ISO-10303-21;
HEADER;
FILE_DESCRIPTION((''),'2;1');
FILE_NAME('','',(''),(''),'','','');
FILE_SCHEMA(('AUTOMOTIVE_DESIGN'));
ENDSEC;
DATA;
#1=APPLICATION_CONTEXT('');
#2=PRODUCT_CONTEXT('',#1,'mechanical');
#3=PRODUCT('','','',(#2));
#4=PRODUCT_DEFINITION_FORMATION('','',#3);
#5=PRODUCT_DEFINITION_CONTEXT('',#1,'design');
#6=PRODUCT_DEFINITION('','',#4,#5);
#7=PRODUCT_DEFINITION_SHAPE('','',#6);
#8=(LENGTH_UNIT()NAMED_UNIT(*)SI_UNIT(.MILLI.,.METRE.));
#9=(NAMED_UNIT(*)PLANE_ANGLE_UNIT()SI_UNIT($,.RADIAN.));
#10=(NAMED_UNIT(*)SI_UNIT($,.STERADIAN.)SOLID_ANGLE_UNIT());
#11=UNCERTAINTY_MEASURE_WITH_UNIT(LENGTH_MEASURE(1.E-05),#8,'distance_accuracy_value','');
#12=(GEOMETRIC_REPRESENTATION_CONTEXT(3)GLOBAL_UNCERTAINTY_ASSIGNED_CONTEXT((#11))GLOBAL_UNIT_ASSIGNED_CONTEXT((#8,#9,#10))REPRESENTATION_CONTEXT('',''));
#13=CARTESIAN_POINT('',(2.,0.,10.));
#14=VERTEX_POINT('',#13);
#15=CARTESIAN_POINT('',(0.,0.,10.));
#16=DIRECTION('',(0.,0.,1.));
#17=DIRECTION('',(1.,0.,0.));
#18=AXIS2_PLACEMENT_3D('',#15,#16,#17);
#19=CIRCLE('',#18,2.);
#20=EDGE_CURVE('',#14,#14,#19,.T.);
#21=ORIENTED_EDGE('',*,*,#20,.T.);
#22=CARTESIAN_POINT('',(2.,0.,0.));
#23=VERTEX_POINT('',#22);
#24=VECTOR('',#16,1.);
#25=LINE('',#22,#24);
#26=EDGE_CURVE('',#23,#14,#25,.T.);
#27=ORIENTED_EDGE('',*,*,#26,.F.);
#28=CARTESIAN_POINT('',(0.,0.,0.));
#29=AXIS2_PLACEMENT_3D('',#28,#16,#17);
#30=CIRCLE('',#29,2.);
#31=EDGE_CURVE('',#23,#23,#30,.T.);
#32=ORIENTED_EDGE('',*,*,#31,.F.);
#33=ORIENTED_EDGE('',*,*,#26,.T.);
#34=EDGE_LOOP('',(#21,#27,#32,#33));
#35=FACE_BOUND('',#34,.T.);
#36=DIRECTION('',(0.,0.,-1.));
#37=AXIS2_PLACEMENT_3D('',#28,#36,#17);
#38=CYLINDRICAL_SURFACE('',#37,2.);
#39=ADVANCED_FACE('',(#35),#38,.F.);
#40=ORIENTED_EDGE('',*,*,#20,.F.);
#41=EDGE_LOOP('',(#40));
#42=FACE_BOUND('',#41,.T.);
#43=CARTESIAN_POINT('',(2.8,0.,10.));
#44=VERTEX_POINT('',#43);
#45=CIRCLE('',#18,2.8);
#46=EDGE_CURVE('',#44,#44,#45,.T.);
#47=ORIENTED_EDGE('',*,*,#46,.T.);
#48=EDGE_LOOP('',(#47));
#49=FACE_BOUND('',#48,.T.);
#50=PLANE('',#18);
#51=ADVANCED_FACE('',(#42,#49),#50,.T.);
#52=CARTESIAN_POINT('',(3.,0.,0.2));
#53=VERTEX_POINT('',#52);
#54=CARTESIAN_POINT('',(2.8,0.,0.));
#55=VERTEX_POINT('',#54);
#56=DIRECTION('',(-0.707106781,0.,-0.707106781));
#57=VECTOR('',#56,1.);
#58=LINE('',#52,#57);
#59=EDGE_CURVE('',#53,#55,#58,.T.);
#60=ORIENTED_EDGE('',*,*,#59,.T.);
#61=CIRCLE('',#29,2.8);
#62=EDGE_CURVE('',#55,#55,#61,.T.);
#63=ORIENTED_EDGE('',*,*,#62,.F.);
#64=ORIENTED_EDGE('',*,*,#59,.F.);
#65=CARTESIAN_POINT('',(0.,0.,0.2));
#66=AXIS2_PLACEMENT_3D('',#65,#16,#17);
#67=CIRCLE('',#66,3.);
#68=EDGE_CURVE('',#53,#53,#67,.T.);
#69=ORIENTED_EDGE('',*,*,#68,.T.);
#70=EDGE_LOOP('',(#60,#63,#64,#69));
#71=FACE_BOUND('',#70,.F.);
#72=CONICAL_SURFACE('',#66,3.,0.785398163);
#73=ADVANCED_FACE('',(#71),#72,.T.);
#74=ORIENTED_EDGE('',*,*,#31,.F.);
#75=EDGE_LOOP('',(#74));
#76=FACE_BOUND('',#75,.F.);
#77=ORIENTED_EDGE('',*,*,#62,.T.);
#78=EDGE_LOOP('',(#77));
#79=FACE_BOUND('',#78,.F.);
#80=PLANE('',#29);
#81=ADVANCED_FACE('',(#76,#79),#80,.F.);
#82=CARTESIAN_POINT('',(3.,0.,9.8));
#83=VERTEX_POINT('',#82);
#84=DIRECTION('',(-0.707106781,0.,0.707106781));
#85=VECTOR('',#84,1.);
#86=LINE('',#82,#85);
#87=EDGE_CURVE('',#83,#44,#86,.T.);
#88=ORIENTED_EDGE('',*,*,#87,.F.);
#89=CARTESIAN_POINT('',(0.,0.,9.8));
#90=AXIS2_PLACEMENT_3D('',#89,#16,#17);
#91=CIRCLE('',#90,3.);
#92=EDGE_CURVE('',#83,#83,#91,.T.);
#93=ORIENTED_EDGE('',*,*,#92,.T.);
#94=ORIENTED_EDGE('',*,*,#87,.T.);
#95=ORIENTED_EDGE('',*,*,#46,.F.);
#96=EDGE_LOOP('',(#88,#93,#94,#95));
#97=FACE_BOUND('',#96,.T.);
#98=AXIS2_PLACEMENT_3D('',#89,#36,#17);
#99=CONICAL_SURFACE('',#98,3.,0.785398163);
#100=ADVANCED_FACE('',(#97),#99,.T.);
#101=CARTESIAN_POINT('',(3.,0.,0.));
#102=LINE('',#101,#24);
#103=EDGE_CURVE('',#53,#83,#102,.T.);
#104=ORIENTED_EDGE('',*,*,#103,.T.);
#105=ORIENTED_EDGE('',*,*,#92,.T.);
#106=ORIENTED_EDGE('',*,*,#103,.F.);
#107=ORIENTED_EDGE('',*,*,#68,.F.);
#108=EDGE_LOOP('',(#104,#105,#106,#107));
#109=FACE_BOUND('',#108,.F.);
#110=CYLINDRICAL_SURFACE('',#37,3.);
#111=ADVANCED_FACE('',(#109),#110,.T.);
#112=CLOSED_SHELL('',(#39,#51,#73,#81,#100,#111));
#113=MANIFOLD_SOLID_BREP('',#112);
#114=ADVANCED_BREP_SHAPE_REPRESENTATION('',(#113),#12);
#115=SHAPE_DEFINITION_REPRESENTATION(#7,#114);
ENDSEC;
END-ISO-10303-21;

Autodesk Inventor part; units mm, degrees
ref_plane "YZ Plane" through (0, 0, 0) normal (1, 0, 0) x (0, 1, 0)
ref_plane "XZ Plane" through (0, 0, 0) normal (0, 1, 0) x (-1, 0, 0)
ref_plane "XY Plane" through (0, 0, 0) normal (0, 0, 1) x (1, 0, 0)
sketch "스케치1" plane through (0, 0, 0) normal (0, 0, 1) x (1, 0, 0)
  circle A0 centre (0, 0) radius 2
  circle A1 centre (0, 0) radius 3
  dimension "d0" = 4
  dimension "d1" = 6
extrude "돌출1" add sketch "스케치1" along normal blind 10
chamfer "모따기1" distance 0.2 angle 45 2 edges at (-3, 0, 0) (-3, 0, 10)
properties part number "M4-D6-9mm_Spacer" material "스테인리스스틸"
